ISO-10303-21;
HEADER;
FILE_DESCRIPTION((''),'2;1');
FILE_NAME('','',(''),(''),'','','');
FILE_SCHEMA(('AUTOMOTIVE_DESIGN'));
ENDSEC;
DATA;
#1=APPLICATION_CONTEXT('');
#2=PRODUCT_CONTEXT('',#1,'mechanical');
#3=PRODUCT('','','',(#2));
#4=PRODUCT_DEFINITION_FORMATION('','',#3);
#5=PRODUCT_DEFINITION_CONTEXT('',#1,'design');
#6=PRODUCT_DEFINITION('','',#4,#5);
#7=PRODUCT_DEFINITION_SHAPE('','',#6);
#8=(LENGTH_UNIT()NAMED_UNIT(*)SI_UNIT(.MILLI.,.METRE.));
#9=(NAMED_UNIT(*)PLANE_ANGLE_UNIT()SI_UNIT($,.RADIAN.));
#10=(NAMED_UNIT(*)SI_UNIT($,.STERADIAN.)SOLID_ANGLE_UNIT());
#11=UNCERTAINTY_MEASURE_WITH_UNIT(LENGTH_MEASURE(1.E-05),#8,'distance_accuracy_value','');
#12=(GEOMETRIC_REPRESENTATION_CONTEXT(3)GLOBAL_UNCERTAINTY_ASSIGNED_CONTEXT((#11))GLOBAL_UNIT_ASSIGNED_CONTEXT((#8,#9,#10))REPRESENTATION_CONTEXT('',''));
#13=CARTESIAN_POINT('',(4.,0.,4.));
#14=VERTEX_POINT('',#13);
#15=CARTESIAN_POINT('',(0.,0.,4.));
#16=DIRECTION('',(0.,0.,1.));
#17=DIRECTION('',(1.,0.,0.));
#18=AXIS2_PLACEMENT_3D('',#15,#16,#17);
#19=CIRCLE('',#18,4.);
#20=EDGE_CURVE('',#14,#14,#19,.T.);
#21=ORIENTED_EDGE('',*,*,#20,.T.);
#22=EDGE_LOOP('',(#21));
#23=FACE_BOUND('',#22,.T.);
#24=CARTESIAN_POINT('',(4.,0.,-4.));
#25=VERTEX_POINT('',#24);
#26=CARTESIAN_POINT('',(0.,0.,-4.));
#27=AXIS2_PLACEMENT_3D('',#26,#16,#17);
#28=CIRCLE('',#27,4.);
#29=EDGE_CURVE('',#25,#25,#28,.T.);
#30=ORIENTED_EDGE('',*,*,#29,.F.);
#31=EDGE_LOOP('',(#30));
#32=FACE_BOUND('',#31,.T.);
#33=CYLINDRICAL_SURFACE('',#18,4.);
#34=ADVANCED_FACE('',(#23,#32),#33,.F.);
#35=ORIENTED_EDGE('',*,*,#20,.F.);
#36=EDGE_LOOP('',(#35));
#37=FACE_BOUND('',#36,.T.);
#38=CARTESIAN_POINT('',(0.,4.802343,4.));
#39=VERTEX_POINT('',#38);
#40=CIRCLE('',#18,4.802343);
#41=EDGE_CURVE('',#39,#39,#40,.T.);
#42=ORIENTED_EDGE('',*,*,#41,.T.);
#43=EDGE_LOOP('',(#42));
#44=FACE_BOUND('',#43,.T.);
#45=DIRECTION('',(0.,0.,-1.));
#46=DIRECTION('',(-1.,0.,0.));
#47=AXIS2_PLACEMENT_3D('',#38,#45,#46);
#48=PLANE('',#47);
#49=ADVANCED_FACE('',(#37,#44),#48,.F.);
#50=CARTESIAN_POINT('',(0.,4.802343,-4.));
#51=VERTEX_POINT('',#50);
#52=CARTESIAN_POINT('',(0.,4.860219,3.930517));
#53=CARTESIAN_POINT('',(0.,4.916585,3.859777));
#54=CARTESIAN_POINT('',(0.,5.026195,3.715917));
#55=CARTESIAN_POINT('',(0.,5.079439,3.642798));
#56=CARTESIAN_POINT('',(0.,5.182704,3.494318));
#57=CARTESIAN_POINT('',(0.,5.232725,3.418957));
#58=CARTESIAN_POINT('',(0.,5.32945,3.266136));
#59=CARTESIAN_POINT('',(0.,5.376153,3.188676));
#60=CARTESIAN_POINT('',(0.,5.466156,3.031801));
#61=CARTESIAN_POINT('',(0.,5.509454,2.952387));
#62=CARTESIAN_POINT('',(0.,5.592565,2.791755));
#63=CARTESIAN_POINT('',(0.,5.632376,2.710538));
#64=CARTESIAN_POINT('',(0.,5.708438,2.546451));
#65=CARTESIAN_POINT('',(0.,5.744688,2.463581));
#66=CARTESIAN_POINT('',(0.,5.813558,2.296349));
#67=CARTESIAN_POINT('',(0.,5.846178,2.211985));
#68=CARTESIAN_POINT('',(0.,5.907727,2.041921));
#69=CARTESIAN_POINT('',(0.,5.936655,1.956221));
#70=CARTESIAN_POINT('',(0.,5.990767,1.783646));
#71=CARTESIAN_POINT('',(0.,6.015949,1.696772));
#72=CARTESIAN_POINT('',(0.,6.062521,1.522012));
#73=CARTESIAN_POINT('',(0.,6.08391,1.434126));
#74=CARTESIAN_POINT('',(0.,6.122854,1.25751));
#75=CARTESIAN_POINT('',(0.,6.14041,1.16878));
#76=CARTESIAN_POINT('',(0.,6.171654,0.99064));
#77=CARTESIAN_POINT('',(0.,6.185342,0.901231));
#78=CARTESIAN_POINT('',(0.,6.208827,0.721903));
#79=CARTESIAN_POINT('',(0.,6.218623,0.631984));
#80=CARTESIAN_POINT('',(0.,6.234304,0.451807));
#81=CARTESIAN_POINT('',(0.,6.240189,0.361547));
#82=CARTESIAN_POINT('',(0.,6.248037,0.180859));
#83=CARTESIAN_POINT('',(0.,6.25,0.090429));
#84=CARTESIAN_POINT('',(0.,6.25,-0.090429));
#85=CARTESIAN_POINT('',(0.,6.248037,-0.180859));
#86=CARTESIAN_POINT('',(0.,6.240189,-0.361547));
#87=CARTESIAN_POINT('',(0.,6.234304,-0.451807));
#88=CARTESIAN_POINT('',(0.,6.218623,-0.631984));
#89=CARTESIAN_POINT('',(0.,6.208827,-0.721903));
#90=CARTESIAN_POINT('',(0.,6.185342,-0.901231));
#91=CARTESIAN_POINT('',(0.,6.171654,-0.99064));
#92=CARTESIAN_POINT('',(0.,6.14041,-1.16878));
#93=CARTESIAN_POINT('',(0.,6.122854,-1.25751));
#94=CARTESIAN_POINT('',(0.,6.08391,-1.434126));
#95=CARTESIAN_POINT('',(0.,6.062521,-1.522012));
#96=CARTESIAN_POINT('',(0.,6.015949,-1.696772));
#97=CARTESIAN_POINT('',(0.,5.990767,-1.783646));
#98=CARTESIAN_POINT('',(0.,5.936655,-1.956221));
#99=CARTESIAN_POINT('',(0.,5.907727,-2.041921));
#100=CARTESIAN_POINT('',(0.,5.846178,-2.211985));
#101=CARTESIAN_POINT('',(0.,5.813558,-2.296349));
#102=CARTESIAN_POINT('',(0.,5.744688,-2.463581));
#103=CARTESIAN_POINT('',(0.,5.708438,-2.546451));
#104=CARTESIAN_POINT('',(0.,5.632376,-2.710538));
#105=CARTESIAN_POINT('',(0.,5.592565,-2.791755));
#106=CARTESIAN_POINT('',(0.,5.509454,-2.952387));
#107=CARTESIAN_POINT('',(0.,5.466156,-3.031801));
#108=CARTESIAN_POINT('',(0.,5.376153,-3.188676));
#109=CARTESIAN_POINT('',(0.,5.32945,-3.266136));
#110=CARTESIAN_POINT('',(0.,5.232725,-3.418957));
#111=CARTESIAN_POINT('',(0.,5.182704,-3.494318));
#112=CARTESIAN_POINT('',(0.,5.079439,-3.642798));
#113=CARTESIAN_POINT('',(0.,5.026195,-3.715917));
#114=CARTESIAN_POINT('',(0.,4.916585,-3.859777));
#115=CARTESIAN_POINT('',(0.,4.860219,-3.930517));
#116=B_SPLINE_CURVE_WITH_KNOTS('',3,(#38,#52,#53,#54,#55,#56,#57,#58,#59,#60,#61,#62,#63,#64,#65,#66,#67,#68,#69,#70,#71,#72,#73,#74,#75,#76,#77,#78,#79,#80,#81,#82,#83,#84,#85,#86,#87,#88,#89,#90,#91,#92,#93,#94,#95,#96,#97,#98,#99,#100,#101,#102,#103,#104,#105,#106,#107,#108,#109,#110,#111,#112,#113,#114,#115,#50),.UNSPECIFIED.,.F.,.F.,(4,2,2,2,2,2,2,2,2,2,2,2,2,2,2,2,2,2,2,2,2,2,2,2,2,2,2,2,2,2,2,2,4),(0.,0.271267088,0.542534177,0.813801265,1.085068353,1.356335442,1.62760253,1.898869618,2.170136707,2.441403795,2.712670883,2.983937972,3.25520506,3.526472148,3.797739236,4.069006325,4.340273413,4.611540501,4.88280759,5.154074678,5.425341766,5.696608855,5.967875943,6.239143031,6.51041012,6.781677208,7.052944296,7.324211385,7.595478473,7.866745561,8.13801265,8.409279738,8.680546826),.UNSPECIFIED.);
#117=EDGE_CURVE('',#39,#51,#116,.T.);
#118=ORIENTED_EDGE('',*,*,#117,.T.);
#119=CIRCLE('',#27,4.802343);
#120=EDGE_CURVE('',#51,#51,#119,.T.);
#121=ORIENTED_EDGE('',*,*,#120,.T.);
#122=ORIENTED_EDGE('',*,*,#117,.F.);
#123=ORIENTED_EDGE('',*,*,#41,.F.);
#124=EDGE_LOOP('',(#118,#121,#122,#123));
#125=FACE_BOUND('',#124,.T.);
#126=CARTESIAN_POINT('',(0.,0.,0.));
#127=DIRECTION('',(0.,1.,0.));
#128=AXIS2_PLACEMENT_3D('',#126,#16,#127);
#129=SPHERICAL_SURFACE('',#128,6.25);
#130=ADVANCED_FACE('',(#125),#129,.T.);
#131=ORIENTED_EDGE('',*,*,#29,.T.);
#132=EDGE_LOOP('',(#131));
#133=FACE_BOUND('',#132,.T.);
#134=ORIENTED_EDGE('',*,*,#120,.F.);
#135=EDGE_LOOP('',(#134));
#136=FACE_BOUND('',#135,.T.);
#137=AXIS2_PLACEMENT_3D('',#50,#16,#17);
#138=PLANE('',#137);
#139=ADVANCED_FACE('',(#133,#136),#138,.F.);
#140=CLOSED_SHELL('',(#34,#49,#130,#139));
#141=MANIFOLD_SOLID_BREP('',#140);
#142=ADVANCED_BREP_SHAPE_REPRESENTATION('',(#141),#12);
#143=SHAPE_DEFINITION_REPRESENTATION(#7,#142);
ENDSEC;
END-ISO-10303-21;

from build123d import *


with BuildPart() as part:
    # Sketch2 → Revolve1 (revolve)
    with BuildSketch(Plane(origin=(0, 0, 0), x_dir=(0, 0, -1), z_dir=(1, 0, 0)), mode=Mode.PRIVATE) as revolve1_sk:
        with BuildLine():
            Line((-4, 4), (4, 4))
            Line((4, 4), (4, 4.802343178))
            ThreePointArc((4, 4.802343178), (0, 6.25), (-4, 4.802343178))
            Line((-4, 4.802343178), (-4, 4))
        make_face()
    revolve(revolve1_sk.sketch.rotate(Axis((0, 0, 4), (0, 0, -1)), 90), axis=Axis((0, 0, 4), (0, 0, -1)))


solid = part.part
